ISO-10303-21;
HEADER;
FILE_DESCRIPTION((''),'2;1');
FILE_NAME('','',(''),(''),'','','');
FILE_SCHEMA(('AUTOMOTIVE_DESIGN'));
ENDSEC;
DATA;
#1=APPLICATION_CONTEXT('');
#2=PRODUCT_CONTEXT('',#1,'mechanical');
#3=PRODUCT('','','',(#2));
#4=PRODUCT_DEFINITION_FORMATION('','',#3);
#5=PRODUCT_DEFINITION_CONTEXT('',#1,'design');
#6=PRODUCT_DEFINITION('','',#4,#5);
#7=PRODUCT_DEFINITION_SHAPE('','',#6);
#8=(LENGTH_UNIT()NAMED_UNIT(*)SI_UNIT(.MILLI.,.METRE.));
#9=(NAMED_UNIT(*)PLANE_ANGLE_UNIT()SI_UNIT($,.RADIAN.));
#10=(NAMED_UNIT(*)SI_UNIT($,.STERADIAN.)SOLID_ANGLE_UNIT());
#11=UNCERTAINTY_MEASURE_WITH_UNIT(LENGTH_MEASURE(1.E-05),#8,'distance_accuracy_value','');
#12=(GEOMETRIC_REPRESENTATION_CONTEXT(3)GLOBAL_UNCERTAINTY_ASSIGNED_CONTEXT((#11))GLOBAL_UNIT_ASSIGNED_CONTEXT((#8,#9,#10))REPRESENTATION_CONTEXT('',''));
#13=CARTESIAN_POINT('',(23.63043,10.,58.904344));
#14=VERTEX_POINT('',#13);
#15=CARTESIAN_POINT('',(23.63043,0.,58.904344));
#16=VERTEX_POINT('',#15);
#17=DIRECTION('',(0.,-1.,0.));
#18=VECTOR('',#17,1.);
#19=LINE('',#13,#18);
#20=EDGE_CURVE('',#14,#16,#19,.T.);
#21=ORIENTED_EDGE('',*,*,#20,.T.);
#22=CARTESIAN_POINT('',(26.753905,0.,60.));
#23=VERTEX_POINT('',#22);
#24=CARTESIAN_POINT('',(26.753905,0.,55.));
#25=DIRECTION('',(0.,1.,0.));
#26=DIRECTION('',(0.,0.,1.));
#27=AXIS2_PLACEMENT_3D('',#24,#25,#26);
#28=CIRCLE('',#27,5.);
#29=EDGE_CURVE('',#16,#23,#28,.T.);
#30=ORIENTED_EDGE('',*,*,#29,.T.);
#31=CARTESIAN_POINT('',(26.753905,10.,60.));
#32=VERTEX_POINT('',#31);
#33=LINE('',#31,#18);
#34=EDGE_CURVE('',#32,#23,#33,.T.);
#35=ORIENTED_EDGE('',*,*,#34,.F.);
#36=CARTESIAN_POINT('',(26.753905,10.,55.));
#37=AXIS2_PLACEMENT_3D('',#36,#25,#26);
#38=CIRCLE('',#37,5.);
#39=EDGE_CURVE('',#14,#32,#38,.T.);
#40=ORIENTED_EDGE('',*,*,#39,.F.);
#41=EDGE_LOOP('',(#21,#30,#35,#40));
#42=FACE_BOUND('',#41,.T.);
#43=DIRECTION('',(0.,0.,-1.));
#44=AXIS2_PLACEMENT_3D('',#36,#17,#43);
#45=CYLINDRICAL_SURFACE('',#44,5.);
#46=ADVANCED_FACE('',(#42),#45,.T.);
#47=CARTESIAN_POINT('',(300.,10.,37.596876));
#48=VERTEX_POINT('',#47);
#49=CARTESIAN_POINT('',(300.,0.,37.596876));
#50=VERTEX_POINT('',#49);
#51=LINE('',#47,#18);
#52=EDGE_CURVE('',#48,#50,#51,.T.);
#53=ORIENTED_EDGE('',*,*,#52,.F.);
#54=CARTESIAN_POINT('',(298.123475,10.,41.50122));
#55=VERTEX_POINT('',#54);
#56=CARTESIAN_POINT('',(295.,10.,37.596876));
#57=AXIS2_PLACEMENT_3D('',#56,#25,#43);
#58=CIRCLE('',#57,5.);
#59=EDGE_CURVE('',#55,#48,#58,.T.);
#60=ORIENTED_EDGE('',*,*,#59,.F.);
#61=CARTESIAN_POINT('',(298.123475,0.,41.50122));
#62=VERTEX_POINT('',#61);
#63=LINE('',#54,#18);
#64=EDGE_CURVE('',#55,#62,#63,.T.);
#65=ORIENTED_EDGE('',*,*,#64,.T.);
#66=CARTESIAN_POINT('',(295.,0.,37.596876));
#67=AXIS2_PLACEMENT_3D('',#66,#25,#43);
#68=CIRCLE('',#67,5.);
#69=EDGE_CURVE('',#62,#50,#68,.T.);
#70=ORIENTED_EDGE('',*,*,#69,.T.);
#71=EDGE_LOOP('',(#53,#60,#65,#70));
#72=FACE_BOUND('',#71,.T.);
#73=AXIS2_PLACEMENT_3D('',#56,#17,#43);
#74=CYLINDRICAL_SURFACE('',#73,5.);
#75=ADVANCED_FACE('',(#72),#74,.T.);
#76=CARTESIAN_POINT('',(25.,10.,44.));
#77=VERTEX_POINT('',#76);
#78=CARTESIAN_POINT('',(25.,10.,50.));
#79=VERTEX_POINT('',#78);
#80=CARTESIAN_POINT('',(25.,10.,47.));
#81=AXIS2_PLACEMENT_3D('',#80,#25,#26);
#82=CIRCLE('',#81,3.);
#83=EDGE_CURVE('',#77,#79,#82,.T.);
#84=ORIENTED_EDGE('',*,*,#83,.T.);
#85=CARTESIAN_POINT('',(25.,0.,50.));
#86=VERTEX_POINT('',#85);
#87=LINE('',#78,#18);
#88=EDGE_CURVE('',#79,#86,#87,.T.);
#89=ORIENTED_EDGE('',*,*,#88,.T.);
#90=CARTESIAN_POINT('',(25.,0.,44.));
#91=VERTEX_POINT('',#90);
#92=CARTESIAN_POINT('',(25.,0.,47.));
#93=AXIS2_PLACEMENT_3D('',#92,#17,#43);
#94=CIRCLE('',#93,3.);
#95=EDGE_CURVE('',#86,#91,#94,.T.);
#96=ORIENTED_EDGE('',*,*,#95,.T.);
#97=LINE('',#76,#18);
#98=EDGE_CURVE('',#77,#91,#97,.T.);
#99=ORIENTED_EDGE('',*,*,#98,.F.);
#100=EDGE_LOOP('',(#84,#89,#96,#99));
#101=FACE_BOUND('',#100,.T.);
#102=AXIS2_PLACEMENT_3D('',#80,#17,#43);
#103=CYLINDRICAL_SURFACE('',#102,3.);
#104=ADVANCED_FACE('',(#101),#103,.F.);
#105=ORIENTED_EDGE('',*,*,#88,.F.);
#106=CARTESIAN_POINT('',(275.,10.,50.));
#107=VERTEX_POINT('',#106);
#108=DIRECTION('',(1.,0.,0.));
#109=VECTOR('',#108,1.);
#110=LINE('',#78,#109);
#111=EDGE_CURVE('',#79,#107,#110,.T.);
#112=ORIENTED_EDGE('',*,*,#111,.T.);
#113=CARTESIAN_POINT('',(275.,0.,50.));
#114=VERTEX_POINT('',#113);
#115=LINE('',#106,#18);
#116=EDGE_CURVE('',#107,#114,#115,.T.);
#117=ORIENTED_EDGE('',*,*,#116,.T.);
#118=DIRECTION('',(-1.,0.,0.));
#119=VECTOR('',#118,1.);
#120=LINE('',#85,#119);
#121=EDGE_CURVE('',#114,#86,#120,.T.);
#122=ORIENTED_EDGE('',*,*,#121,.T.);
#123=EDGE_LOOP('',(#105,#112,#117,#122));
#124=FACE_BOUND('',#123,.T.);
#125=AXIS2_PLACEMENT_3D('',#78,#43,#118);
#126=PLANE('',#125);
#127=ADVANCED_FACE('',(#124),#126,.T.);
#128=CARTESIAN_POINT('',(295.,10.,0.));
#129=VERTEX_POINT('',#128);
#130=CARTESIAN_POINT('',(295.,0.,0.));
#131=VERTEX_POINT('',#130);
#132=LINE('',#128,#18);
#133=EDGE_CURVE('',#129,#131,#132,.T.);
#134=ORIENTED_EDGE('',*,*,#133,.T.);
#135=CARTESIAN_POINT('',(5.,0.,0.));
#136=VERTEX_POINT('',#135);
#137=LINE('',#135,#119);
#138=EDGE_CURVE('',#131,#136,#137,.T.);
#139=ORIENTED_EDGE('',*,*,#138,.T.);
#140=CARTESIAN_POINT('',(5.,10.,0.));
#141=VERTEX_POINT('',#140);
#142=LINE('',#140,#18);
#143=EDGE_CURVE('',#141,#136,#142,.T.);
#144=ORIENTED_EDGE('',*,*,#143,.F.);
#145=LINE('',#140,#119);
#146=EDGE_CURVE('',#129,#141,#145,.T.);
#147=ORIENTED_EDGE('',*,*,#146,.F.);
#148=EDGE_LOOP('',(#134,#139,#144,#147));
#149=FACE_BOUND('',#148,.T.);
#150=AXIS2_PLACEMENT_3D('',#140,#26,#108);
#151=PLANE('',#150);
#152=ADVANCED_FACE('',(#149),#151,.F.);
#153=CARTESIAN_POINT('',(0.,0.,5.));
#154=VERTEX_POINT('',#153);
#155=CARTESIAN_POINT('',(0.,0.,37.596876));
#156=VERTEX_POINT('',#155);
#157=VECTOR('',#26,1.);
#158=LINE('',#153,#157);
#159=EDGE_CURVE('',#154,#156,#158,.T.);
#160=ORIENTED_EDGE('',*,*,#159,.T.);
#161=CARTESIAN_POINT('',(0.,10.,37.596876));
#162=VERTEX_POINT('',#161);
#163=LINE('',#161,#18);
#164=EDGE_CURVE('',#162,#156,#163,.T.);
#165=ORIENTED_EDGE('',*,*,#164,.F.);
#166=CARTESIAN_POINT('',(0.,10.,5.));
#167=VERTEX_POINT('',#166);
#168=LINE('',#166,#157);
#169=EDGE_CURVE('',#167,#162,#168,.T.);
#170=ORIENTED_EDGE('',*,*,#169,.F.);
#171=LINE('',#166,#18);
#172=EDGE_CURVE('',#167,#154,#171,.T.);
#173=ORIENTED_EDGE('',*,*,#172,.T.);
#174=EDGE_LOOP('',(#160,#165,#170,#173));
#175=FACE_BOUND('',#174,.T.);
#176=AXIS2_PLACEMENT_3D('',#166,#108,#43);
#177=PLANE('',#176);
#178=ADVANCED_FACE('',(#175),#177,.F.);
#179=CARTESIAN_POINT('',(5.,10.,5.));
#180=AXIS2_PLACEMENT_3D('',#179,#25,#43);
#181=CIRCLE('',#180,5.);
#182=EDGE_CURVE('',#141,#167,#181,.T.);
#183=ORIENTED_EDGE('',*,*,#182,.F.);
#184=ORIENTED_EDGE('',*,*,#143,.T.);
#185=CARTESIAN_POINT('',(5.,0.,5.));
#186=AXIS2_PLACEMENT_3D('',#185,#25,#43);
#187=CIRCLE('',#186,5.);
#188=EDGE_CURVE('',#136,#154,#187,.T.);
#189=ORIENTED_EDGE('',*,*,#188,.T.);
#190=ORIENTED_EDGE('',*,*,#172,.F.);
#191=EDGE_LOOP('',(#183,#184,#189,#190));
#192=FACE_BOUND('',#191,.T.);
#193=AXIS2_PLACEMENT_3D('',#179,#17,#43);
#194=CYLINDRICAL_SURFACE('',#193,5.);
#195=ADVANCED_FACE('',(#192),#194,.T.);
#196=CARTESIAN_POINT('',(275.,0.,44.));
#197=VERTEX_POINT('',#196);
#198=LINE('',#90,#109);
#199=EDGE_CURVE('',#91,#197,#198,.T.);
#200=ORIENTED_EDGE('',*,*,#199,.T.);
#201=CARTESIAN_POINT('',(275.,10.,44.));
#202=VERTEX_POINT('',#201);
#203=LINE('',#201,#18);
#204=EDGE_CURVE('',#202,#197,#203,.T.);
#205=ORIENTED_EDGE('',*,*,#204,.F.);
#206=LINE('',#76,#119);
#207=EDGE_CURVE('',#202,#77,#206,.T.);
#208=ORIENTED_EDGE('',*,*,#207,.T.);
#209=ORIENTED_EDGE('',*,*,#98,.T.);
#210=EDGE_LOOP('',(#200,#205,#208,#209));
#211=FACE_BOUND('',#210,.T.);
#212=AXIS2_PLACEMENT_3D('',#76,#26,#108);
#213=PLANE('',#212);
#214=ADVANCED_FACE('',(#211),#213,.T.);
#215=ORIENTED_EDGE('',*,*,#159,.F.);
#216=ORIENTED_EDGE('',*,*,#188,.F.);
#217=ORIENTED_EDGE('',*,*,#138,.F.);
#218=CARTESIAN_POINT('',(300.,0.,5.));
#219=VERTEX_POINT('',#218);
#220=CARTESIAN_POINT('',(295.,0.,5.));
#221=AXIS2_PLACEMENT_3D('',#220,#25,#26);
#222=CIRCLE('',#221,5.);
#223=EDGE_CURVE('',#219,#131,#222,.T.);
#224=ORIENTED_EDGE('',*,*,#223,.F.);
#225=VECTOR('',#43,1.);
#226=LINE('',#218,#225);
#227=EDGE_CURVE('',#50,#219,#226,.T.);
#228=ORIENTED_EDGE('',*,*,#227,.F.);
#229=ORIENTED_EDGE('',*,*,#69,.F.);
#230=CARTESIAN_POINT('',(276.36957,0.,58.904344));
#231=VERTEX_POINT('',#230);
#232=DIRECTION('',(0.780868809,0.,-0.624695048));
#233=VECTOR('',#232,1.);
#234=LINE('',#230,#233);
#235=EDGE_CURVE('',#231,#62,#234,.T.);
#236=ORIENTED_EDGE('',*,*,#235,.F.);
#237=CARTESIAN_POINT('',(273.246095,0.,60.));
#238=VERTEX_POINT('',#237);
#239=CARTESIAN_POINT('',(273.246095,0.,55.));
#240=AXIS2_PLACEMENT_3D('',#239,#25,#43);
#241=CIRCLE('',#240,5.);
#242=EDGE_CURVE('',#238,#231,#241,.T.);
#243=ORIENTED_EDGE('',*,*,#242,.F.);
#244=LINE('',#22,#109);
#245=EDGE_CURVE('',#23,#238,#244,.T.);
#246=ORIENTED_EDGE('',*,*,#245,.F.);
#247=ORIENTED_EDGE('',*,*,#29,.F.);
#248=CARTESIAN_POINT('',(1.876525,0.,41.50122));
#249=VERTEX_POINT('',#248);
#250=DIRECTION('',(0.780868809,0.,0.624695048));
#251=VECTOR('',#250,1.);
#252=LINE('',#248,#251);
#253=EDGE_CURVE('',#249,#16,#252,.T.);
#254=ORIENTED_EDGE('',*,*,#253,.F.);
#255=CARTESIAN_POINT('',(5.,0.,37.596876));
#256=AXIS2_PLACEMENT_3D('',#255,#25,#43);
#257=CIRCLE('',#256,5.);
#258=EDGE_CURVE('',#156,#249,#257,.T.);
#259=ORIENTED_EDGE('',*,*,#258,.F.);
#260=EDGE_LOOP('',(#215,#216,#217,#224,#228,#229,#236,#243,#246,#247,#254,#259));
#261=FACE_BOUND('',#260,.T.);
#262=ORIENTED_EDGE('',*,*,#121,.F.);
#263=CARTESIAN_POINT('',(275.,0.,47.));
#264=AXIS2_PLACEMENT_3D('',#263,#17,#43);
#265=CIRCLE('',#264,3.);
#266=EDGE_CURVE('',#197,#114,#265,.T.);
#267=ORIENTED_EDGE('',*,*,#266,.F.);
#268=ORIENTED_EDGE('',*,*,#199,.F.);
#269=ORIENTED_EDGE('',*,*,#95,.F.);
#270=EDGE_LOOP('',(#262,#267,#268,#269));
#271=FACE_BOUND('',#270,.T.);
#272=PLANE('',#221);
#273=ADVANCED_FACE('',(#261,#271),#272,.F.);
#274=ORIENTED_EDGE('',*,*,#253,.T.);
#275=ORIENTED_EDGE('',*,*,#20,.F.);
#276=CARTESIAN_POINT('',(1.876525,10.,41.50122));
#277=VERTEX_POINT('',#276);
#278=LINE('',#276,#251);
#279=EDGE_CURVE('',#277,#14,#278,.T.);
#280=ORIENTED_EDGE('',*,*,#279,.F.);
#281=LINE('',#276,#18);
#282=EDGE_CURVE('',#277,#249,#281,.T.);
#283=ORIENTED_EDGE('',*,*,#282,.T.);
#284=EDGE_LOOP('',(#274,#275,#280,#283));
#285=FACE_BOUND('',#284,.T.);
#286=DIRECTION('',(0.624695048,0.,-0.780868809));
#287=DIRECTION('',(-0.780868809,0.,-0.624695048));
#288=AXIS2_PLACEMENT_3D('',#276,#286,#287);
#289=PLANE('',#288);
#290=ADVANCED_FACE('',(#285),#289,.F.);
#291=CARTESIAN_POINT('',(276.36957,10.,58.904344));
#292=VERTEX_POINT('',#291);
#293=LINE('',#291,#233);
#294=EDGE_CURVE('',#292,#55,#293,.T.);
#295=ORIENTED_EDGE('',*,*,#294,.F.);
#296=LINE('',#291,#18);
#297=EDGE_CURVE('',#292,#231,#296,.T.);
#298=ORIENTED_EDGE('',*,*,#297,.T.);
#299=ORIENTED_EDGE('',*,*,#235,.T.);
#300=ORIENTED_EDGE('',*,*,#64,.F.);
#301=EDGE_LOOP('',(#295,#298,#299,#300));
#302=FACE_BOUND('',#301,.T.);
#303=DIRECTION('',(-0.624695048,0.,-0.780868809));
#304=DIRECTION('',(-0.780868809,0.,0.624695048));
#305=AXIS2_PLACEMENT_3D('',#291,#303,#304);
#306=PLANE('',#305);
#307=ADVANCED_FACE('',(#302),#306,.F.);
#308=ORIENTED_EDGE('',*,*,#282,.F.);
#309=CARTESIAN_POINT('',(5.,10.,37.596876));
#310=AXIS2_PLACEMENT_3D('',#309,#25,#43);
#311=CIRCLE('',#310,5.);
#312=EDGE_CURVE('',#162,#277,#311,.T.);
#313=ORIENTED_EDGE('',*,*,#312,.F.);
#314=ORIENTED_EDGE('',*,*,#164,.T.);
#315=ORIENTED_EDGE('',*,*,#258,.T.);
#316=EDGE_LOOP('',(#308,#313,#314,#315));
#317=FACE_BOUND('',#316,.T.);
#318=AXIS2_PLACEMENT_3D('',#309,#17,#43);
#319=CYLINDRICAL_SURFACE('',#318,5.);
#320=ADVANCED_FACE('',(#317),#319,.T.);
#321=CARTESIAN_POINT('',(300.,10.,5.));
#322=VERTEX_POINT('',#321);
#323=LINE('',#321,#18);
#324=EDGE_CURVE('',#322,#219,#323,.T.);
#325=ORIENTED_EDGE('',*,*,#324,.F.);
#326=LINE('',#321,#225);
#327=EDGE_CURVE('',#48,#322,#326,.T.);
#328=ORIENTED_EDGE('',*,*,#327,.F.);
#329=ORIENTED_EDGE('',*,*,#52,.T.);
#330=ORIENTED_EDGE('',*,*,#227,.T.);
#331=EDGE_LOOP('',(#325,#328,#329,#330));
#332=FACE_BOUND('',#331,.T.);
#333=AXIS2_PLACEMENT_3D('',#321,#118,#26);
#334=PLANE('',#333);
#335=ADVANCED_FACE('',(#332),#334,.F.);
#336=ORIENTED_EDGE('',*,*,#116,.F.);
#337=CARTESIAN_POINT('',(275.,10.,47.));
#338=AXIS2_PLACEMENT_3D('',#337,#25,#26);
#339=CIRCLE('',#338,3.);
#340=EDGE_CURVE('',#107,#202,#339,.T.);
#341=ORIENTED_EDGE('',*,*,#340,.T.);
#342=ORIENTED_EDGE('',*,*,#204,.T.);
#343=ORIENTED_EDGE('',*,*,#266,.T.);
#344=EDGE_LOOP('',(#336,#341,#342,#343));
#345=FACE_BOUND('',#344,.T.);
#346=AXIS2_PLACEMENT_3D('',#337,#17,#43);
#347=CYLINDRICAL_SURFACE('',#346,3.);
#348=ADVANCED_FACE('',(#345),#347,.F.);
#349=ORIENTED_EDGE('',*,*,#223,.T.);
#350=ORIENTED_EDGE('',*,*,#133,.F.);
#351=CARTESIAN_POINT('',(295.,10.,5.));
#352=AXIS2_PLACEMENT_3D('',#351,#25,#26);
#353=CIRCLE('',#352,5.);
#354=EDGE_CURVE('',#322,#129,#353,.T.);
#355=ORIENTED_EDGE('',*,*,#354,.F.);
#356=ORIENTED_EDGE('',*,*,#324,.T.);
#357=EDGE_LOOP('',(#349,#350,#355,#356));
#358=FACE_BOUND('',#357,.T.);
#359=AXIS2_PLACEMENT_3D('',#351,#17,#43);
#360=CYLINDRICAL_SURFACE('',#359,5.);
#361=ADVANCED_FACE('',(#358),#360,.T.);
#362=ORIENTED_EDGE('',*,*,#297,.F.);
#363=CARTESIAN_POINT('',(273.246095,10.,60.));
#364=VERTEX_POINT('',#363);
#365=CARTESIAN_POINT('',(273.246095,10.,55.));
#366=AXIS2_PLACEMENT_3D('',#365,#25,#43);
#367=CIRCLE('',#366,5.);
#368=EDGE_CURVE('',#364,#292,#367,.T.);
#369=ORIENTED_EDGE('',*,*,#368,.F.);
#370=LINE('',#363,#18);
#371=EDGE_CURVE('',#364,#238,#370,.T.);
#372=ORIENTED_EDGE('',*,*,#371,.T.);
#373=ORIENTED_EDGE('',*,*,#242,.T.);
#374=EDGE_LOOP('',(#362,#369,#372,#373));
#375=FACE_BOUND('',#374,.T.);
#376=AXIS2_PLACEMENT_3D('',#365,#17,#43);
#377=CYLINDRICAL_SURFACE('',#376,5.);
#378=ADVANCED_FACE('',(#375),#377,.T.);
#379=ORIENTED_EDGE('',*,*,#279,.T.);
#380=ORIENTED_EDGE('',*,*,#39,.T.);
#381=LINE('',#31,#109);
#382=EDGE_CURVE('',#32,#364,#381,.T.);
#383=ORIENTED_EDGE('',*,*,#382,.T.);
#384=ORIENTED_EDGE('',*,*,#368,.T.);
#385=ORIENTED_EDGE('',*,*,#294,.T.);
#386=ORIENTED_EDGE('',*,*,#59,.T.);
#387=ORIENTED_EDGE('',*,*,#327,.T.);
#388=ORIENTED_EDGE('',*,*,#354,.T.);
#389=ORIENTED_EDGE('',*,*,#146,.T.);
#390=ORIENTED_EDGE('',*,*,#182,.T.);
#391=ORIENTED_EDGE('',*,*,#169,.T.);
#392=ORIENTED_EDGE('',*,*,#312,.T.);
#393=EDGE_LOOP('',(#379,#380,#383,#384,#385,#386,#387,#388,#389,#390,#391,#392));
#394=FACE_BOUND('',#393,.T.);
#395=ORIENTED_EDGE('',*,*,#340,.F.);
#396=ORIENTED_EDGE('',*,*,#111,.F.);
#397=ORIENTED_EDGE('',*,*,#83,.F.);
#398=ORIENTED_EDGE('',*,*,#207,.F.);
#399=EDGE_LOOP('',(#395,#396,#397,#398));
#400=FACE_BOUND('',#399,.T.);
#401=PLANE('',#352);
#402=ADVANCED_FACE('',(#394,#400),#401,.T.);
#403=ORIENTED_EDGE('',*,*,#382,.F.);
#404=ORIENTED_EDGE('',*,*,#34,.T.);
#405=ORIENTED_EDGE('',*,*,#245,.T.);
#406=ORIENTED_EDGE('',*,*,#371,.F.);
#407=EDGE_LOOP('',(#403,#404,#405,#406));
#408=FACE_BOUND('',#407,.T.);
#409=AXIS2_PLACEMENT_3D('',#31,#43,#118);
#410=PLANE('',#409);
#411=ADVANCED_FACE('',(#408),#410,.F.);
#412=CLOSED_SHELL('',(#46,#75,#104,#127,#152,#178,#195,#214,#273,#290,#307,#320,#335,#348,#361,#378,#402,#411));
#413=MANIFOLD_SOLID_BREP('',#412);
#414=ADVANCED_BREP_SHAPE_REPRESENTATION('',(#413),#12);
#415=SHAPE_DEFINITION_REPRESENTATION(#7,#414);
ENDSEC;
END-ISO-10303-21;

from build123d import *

# Parameters (mm, degrees)
BOSS_EXTRUDE1_DEPTH     = 10
CUT_EXTRUDE4_DEPTH      = 11
CUT_EXTRUDE4_DEPTH_BACK = 1


with BuildPart() as part:
    # Sketch1 → Boss-Extrude1 (new body)
    with BuildSketch(Plane(origin=(0, 0, 0), x_dir=(1, 0, 0), z_dir=(0, 1, 0))):
        with BuildLine():
            Line((0, -5), (0, -37.596875763))
            ThreePointArc((0, -37.596875763), (0.493483818, -39.762819415), (1.876524762, -41.50121981))
            Line((1.876524762, -41.50121981), (23.630430059, -58.904344047))
            ThreePointArc((23.630430059, -58.904344047), (25.09887059, -59.718141596), (26.753905297, -60))
            Line((26.753905297, -60), (273.246094703, -60))
            ThreePointArc((273.246094703, -60), (274.90112941, -59.718141596), (276.369569941, -58.904344047))
            Line((276.369569941, -58.904344047), (298.123475238, -41.50121981))
            ThreePointArc((298.123475238, -41.50121981), (299.506516182, -39.762819415), (300, -37.596875763))
            Line((300, -37.596875763), (300, -5))
            ThreePointArc((300, -5), (298.535533906, -1.464466094), (295, 0))
            Line((295, 0), (5, 0))
            ThreePointArc((5, 0), (1.464466094, -1.464466094), (0, -5))
        make_face()
    extrude(amount=BOSS_EXTRUDE1_DEPTH)

    # Sketch2 → Cut-Extrude4 (cut, two sides)
    with BuildSketch(Plane(origin=(0, 0, 0), x_dir=(1, 0, 0), z_dir=(0, 1, 0))) as cut_extrude4_sk:
        with BuildLine():
            Line((25, -44), (275, -44))
            ThreePointArc((275, -44), (278, -47), (275, -50))
            Line((275, -50), (25, -50))
            ThreePointArc((25, -50), (22, -47), (25, -44))
        make_face()
    extrude(amount=CUT_EXTRUDE4_DEPTH, mode=Mode.SUBTRACT)
    extrude(cut_extrude4_sk.sketch, amount=-CUT_EXTRUDE4_DEPTH_BACK, mode=Mode.SUBTRACT)


solid = part.part
